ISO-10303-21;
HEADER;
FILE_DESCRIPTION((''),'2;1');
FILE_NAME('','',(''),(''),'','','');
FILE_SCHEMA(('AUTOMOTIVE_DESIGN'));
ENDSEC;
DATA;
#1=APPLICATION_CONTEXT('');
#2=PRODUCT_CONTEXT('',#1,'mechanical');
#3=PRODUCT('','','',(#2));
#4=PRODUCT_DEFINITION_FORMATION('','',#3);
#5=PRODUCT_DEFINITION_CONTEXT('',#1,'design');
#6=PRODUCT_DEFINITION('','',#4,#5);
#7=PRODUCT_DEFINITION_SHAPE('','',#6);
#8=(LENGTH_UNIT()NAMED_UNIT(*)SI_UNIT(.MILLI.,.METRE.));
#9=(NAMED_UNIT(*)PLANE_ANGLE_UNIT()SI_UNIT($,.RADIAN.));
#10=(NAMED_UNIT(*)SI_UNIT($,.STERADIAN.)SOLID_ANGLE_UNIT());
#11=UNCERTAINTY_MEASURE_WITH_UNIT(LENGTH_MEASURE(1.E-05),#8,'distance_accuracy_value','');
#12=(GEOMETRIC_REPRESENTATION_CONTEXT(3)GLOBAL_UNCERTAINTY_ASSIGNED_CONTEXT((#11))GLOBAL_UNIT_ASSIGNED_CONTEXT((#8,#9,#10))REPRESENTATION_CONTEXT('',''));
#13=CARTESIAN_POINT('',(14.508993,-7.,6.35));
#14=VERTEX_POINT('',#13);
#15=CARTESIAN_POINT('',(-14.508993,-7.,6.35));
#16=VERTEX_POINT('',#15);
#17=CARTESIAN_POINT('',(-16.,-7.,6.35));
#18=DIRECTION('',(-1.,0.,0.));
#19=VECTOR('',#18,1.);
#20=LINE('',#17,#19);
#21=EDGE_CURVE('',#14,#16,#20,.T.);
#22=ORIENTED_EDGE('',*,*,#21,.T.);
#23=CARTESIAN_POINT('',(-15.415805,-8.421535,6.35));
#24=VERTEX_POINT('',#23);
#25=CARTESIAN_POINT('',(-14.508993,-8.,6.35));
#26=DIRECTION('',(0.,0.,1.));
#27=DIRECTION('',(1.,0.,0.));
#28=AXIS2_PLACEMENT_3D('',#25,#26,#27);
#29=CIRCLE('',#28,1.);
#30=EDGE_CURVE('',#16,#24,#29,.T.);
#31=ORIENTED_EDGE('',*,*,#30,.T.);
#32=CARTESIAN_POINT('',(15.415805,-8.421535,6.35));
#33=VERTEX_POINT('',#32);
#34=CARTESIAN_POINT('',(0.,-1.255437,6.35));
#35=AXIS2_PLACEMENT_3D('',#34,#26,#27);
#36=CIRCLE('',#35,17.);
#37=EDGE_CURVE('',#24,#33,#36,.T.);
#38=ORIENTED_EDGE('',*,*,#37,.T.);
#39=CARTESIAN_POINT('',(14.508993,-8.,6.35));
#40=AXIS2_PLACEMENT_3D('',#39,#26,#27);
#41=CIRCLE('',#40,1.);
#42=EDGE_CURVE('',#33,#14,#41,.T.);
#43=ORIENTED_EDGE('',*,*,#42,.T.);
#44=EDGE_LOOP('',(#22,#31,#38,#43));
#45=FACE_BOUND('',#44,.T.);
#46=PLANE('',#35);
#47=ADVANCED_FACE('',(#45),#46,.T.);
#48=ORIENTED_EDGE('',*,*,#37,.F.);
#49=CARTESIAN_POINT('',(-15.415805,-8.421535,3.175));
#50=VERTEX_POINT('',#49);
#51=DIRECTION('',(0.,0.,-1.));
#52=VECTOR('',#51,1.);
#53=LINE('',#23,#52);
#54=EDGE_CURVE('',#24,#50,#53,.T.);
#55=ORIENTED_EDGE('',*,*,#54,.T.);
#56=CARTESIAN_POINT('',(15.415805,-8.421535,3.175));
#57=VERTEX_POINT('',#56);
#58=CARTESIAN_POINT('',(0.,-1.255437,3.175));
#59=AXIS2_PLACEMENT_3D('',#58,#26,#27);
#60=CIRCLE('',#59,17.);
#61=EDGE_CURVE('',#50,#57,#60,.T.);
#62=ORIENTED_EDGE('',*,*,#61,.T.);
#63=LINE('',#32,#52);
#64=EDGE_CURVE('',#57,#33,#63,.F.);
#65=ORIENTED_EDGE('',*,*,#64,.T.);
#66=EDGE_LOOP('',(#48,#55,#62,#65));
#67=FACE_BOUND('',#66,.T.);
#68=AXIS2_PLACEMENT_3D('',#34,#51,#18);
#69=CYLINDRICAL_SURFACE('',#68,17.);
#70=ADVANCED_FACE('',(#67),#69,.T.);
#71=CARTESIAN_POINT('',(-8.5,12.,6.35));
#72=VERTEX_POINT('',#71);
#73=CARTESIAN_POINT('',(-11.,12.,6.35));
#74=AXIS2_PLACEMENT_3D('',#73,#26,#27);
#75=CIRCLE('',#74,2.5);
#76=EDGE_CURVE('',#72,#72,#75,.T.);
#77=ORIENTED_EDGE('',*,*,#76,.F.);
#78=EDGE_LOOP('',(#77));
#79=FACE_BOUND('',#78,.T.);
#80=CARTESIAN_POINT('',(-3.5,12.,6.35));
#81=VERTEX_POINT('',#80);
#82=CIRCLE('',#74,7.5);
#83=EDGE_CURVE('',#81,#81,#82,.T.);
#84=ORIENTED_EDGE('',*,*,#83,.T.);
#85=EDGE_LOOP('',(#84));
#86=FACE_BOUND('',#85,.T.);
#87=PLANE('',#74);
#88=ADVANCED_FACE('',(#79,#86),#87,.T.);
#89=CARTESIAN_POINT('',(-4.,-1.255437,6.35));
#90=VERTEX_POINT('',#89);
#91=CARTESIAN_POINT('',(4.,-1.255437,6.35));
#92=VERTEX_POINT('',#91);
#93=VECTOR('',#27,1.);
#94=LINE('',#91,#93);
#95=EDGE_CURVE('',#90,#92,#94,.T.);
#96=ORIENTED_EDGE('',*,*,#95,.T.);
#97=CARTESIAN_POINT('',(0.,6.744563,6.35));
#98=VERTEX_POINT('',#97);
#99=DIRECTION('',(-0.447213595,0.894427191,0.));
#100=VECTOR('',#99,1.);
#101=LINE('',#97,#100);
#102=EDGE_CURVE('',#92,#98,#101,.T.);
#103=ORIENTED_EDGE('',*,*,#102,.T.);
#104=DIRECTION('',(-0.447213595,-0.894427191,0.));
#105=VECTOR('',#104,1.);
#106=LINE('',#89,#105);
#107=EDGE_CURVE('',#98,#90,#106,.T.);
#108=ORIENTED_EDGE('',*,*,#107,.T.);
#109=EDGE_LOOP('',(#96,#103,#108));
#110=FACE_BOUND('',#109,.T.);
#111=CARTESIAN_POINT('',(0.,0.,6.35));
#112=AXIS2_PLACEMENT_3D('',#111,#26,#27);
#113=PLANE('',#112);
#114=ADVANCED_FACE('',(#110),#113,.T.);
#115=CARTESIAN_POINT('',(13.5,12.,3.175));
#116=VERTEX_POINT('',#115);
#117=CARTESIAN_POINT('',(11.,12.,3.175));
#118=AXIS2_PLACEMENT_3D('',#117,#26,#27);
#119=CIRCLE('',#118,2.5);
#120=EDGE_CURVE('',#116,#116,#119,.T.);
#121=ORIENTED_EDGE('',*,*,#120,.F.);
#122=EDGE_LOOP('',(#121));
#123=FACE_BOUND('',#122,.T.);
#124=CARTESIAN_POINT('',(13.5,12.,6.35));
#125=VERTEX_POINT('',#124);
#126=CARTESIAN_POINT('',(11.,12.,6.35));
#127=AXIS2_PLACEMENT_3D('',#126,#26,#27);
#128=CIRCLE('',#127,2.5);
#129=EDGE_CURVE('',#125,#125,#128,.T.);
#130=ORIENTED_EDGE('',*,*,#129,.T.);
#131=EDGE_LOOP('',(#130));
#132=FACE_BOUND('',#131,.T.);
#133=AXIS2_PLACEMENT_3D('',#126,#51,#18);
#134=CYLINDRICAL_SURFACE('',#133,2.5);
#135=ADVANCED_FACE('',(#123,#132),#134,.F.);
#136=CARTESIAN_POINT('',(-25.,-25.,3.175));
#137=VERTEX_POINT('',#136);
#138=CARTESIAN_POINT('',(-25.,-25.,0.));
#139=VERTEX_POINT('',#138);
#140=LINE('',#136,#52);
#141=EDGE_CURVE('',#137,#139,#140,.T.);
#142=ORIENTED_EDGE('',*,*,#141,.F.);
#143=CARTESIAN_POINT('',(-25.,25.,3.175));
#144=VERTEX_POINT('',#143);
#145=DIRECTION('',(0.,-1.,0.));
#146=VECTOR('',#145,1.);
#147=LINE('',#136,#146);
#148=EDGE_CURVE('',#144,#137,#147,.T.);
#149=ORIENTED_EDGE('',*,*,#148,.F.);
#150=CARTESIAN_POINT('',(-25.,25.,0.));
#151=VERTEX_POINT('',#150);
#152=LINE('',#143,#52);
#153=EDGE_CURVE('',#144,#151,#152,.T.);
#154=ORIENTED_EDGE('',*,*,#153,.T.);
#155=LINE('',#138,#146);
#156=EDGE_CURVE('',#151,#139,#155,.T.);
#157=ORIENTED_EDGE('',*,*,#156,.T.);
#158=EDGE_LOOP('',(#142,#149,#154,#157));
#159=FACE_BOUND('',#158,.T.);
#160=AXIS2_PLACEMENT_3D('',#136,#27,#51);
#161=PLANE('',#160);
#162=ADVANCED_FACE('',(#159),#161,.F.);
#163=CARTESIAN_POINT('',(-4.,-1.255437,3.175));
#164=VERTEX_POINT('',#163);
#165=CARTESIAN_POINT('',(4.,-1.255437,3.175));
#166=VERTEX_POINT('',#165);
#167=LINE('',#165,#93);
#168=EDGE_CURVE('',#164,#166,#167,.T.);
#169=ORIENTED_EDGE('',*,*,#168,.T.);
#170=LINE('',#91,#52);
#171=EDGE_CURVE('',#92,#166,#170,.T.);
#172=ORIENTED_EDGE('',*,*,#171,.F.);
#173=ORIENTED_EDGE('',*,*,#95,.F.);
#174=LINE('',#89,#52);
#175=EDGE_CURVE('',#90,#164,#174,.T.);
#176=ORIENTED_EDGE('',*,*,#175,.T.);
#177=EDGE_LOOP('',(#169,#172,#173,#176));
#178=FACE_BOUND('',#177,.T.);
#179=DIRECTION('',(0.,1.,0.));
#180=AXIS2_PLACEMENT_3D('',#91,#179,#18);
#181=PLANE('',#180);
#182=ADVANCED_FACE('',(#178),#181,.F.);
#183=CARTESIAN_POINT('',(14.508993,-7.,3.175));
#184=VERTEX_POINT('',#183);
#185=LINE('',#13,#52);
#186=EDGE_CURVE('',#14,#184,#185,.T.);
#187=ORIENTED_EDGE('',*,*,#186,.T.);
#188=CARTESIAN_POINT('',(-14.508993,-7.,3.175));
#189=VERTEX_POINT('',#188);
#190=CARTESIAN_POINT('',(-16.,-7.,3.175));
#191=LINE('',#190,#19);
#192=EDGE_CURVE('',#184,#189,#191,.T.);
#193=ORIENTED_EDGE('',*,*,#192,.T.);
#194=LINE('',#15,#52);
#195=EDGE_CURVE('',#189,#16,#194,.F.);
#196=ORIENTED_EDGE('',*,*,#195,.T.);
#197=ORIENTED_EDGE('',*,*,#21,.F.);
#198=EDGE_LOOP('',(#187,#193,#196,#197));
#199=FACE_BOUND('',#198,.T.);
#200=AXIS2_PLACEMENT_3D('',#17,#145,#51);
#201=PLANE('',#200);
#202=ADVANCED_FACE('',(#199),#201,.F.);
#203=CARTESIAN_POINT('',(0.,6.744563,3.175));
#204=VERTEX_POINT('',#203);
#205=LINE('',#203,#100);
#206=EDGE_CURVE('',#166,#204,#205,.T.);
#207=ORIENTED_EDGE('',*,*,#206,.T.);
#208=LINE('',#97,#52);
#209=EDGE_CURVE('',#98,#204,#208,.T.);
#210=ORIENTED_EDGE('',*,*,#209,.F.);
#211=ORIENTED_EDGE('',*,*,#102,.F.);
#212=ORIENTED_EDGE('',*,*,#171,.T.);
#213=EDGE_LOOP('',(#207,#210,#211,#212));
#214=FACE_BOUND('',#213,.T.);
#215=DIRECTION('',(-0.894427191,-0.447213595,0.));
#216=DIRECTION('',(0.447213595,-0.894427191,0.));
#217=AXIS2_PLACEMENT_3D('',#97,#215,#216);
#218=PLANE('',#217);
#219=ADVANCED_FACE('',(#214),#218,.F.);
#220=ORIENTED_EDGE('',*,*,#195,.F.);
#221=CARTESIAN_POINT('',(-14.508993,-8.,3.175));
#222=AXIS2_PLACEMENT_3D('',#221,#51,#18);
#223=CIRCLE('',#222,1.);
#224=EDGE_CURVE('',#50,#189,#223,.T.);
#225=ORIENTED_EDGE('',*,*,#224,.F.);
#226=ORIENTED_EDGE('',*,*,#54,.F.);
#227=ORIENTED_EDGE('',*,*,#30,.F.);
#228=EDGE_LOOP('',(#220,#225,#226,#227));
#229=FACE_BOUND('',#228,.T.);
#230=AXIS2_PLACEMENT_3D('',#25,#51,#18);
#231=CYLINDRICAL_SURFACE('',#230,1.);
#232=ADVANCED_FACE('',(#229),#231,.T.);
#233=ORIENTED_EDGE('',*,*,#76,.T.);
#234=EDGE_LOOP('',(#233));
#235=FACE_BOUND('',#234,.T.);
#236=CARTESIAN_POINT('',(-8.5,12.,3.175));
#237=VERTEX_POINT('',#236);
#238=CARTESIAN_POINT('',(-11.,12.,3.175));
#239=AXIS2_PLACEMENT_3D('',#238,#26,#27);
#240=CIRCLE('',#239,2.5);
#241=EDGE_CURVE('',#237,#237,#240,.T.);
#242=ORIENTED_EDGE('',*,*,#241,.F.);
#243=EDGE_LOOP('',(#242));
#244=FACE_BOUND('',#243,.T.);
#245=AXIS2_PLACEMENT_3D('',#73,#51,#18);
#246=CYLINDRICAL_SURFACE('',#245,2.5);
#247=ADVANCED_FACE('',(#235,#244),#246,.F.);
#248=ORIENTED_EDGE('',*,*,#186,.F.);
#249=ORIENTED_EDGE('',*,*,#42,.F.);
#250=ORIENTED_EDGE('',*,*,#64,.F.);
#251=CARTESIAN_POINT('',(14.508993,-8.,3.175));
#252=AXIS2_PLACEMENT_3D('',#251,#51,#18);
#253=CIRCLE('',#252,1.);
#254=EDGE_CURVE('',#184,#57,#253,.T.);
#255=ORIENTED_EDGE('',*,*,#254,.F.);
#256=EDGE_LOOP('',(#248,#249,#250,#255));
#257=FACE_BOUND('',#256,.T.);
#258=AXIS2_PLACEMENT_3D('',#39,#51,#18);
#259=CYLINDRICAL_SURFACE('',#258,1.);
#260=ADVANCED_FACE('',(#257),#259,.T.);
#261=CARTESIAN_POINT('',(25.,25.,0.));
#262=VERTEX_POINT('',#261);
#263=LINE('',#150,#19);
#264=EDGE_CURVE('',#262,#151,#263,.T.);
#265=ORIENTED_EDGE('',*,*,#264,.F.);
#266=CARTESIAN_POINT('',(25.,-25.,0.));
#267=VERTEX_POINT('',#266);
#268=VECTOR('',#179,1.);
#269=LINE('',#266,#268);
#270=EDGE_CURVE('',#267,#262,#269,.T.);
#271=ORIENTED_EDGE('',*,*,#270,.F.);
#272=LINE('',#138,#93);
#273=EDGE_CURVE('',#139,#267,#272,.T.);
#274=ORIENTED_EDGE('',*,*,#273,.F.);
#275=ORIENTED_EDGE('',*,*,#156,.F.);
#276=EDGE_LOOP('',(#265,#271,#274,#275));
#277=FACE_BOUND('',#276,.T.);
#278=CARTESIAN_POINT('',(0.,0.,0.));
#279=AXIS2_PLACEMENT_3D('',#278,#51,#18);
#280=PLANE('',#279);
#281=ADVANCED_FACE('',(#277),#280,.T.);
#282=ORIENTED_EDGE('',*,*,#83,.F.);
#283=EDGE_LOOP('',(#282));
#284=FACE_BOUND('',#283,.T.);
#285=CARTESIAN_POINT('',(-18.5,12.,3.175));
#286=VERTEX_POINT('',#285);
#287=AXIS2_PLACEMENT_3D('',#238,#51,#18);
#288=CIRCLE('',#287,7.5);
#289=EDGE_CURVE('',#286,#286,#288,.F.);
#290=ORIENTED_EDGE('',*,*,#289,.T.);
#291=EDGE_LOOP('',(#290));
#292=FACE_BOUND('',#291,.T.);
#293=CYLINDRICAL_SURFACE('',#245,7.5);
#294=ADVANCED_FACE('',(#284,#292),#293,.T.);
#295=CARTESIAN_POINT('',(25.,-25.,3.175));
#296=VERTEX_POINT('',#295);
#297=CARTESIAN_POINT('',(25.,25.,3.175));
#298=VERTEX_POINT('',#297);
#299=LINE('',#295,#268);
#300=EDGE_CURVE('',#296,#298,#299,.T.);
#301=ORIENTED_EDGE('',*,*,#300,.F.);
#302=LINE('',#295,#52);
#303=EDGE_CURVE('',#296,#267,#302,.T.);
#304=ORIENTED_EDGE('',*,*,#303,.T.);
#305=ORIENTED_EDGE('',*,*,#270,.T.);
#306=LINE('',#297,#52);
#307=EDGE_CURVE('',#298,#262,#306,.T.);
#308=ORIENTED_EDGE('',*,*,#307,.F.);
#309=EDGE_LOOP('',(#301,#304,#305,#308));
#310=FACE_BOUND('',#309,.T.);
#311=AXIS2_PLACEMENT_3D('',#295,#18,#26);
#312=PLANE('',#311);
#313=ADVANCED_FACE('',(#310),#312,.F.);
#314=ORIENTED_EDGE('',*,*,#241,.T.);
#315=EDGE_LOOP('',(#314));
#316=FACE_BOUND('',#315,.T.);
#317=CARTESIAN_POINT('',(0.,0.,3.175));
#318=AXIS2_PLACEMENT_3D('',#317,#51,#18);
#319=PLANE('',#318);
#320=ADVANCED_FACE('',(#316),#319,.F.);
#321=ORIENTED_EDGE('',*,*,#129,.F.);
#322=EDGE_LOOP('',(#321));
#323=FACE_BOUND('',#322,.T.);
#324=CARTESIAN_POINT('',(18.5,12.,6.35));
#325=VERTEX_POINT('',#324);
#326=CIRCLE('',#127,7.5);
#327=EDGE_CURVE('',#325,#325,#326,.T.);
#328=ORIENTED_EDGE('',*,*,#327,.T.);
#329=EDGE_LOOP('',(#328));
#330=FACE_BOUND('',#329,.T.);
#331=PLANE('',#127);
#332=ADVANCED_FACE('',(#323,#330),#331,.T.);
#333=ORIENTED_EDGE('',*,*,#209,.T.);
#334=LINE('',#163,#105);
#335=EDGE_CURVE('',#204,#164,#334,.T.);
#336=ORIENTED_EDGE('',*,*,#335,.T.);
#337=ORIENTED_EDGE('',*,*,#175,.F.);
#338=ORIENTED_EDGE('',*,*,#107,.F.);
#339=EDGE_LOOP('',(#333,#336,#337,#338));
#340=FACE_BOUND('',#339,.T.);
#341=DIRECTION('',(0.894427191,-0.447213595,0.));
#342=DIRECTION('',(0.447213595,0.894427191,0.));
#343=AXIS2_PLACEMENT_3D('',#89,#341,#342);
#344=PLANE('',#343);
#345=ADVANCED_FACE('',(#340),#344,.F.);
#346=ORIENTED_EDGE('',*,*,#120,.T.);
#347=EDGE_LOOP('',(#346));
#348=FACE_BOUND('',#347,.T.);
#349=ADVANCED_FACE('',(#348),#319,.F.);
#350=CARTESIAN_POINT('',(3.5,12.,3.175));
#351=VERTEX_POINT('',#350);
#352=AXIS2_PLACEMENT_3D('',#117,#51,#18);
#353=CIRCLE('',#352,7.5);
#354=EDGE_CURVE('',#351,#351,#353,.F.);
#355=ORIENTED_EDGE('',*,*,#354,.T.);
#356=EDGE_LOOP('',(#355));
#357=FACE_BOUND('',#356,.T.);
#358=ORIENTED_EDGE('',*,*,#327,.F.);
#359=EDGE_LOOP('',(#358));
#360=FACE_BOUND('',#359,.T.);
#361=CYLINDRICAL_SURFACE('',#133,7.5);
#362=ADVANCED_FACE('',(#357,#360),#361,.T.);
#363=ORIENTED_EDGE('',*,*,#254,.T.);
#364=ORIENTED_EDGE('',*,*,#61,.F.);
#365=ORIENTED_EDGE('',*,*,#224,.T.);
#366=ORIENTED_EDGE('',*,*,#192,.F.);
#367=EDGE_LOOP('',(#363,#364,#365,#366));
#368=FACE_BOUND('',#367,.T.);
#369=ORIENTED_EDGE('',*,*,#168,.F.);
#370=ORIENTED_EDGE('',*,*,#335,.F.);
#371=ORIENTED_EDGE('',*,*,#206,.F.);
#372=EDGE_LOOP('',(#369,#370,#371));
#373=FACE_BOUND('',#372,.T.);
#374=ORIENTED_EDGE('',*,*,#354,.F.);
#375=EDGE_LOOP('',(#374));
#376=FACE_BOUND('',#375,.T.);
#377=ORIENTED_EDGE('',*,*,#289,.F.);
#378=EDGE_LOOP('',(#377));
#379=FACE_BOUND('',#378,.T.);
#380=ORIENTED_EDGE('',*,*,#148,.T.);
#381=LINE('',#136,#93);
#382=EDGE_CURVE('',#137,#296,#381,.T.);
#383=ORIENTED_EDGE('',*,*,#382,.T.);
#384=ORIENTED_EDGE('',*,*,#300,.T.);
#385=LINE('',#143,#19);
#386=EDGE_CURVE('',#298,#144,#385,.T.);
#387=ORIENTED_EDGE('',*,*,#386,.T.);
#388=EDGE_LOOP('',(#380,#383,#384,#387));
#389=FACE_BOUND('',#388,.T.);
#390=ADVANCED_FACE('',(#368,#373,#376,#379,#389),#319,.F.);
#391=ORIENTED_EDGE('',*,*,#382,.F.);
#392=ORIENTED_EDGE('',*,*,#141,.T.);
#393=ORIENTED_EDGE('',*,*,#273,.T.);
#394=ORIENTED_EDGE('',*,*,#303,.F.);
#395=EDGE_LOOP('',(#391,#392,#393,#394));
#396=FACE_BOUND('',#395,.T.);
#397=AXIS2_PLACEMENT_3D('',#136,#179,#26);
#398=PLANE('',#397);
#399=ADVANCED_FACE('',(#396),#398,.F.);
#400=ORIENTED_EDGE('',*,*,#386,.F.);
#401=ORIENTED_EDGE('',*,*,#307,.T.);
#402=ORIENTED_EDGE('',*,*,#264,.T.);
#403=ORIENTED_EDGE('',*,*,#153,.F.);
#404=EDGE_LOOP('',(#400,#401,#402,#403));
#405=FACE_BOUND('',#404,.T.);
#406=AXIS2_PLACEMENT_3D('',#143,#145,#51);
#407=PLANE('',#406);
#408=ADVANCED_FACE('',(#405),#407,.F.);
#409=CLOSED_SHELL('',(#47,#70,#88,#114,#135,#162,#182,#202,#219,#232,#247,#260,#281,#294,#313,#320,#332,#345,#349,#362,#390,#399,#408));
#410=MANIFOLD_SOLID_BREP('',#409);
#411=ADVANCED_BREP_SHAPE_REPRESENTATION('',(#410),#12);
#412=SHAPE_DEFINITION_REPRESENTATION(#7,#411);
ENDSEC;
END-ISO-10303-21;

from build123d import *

# Parameters (mm, degrees)
SKETCH1_W           = 50
SKETCH1_H           = 50
BOSS_EXTRUDE1_DEPTH = 3.175
SKETCH2_R           = 7.5
SKETCH2_R_2         = 2.5
BOSS_EXTRUDE2_DEPTH = 3.175
FILLET1_R           = 1


with BuildPart() as part:
    # Sketch1 → Boss-Extrude1 (new body)
    with BuildSketch(Plane.XY):
        Rectangle(SKETCH1_W, SKETCH1_H)
    extrude(amount=BOSS_EXTRUDE1_DEPTH)

    # Sketch2 → Boss-Extrude2 (add)
    with BuildSketch(Plane.XY.offset(3.175)):
        with Locations((-11, 12)):
            Circle(SKETCH2_R)
        with Locations((-11, 12)):
            Circle(SKETCH2_R_2, mode=Mode.SUBTRACT)
        with Locations((11, 12)):
            Circle(SKETCH2_R)
        with Locations((11, 12)):
            Circle(SKETCH2_R_2, mode=Mode.SUBTRACT)
        with BuildLine():
            Line((-16, -7), (16, -7))
            ThreePointArc((16, -7), (0, -18.255437353), (-16, -7))
        make_face()
        Polygon((0, 6.744562647), (4, -1.255437353), (-4, -1.255437353), align=None)
    extrude(amount=BOSS_EXTRUDE2_DEPTH)

    # Fillet1
    fillet1_edges = [part.edges().sort_by_distance(p)[0] for p in [
        (-16, -7, 4.7625),
        (16, -7, 4.7625),
    ]]
    fillet(fillet1_edges, radius=FILLET1_R)


solid = part.part
